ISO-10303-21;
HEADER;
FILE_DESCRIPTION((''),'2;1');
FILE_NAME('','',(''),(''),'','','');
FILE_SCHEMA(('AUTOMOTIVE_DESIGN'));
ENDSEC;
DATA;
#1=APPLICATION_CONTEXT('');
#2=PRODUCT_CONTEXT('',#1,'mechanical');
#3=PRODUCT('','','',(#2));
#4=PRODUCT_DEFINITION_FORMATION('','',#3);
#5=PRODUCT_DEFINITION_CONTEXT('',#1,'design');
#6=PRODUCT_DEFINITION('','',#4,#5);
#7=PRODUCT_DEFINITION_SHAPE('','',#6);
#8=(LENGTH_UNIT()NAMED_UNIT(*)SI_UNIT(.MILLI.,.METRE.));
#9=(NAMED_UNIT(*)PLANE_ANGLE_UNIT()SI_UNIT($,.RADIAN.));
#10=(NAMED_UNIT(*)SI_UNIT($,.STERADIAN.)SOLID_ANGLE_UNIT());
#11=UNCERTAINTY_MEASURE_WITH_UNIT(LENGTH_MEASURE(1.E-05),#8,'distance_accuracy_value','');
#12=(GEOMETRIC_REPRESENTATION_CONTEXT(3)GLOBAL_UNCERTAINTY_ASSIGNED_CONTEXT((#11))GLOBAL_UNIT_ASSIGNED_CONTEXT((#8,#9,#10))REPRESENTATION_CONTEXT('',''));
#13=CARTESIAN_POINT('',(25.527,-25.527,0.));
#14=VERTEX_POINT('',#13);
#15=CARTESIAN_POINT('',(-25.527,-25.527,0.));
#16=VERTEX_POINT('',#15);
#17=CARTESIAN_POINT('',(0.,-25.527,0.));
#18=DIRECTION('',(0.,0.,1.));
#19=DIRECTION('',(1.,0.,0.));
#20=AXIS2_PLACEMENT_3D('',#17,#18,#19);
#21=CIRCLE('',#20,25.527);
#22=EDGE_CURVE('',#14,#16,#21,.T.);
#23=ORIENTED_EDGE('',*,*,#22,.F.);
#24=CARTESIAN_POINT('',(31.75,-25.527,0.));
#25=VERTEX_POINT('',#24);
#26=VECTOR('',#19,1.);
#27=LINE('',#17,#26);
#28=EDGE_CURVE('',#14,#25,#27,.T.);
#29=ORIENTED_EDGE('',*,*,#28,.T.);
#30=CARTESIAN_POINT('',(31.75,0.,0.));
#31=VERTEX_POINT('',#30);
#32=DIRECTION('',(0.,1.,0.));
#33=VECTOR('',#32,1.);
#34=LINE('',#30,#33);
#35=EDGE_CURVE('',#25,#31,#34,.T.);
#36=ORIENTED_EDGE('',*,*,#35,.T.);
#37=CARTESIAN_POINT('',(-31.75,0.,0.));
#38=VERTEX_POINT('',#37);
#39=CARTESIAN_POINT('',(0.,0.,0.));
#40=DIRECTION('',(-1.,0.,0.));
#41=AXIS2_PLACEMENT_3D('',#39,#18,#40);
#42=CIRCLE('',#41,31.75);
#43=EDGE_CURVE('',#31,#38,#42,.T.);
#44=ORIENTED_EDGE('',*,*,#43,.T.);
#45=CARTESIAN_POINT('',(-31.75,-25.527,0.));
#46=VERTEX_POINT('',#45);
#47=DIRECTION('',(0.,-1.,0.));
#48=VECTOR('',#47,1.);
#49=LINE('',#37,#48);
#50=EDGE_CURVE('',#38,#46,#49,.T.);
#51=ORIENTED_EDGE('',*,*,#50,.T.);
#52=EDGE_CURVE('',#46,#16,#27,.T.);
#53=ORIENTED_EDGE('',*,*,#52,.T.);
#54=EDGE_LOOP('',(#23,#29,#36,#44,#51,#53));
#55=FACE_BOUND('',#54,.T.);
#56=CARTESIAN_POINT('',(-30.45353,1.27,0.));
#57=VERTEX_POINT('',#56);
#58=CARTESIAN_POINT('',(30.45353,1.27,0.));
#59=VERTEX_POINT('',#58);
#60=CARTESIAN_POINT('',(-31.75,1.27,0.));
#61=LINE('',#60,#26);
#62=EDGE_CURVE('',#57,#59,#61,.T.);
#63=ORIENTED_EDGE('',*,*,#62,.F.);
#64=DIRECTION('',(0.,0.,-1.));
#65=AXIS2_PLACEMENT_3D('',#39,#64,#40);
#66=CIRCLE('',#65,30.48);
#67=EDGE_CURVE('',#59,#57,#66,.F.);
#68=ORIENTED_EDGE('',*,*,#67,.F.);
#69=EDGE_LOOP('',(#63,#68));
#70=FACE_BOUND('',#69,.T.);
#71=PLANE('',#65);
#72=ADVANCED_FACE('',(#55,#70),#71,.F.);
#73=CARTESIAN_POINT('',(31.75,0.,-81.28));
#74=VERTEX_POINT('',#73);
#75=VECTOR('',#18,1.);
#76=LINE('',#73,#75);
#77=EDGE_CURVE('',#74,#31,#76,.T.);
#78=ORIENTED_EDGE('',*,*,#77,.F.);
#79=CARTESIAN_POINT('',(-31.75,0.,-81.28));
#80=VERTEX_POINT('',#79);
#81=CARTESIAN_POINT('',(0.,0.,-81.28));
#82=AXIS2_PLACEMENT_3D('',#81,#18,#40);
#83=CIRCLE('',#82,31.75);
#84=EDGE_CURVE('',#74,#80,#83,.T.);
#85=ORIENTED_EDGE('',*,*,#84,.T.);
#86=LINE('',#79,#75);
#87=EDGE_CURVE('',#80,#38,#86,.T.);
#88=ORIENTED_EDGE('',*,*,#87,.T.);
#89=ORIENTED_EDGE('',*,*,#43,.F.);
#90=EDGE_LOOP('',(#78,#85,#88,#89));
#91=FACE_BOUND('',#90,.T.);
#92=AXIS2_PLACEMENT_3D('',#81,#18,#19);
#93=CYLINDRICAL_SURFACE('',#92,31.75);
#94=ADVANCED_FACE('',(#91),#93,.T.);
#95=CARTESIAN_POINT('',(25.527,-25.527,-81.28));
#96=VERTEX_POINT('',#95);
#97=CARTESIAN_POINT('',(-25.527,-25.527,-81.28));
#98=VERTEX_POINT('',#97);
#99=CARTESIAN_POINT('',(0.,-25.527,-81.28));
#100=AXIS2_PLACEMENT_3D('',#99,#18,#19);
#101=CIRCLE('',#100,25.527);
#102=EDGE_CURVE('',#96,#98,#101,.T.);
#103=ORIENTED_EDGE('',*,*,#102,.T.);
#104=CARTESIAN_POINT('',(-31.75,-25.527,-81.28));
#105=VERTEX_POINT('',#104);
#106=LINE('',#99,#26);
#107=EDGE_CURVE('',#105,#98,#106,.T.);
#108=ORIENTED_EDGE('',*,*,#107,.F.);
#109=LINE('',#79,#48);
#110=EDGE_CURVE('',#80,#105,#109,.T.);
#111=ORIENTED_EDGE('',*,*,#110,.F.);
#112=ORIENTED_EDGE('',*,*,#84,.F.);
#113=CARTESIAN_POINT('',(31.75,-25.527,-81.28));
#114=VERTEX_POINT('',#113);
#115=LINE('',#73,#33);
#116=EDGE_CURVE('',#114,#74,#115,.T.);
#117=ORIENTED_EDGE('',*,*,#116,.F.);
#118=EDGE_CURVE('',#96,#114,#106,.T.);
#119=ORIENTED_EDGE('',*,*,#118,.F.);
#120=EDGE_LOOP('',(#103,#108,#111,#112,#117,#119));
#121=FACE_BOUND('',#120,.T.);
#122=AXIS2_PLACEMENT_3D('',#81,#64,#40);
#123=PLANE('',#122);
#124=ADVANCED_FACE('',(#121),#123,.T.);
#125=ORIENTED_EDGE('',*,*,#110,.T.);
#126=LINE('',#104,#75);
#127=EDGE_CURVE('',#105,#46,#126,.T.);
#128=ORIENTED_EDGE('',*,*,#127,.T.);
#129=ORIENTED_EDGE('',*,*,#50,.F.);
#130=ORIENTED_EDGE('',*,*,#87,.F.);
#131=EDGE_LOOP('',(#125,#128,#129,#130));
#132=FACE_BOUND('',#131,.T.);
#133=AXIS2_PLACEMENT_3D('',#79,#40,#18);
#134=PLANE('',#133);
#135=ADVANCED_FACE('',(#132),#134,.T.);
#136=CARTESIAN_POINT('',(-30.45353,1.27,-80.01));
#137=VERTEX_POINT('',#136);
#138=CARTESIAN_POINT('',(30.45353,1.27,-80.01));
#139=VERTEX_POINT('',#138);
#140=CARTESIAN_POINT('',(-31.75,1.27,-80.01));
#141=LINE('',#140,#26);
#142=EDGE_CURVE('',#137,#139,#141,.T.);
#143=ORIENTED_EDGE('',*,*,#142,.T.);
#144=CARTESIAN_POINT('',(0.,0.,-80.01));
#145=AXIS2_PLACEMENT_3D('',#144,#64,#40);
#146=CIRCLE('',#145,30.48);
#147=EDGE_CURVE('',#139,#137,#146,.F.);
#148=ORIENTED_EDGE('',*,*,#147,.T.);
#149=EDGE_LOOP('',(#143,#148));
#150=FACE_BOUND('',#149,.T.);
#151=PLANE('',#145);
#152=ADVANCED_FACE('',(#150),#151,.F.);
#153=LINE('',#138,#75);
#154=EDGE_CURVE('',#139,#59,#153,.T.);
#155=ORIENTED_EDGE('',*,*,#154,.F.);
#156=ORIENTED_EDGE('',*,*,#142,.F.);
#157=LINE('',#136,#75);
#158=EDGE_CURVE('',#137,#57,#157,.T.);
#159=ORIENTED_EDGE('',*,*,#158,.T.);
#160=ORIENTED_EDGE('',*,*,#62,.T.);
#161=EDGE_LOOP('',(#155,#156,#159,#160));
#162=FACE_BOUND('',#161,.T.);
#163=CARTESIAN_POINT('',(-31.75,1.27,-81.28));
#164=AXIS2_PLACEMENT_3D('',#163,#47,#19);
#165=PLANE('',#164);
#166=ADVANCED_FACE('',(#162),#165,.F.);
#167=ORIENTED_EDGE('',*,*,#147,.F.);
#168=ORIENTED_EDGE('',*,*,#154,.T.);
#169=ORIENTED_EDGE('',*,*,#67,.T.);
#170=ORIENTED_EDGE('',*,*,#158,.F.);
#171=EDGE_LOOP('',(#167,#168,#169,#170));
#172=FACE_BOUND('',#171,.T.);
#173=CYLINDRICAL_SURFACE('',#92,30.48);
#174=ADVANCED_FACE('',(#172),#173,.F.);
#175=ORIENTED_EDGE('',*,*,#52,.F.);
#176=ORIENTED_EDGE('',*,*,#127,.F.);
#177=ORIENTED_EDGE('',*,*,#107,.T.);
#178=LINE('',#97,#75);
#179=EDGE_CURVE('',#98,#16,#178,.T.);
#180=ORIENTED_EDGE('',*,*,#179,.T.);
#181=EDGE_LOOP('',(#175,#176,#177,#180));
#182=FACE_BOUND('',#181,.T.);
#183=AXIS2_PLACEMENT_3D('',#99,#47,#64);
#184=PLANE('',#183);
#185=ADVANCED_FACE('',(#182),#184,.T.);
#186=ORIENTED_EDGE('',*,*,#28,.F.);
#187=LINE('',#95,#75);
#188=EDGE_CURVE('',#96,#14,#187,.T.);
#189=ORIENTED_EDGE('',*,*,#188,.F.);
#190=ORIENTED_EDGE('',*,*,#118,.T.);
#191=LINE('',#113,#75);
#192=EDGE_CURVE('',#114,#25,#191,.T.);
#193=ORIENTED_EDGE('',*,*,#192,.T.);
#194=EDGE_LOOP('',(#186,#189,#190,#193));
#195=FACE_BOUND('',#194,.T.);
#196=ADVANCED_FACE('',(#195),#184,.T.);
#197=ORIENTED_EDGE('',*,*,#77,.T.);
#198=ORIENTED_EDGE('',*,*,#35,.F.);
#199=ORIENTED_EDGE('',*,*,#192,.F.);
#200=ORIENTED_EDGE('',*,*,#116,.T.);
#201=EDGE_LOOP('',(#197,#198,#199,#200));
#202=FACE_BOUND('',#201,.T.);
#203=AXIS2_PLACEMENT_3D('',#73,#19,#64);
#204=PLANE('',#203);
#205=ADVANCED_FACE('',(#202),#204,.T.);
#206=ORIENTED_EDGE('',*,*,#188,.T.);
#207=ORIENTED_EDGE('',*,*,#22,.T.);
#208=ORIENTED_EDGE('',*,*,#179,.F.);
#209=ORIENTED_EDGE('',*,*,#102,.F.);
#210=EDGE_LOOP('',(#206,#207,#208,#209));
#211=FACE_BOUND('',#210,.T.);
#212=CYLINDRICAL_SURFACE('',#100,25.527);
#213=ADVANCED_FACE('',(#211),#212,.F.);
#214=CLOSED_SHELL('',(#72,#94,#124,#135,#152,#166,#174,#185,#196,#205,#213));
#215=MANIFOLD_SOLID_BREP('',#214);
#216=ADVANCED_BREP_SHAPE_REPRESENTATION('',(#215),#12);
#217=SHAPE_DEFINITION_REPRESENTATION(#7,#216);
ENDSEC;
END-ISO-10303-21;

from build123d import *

# Parameters (mm, degrees)
BOSS_EXTRUDE1_DEPTH = 81.28
SHELL2_T            = -1.27
BOSS_EXTRUDE2_DEPTH = 81.28


with BuildPart() as part:
    # Sketch1 → Boss-Extrude1 (new body)
    with BuildSketch(Plane.XY):
        with BuildLine():
            Line((-31.75, 0), (31.75, 0))
            ThreePointArc((31.75, 0), (0, 31.75), (-31.75, 0))
        make_face()
    extrude(amount=-BOSS_EXTRUDE1_DEPTH)

    # Shell2
    shell2_openings = [part.faces().sort_by_distance(p)[0] for p in [
        (0, 13.475118515, 0),
    ]]
    offset(amount=SHELL2_T, openings=shell2_openings)

    # Sketch5 → Boss-Extrude2 (add)
    with BuildSketch(Plane.XY):
        with BuildLine():
            Line((-3.8e-08, 0), (-31.75, 0))
            Line((-31.75, 0), (-31.75, -25.527))
            Line((-31.75, -25.527), (-25.527, -25.527))
            ThreePointArc((-25.527, -25.527), (-18.050314817, -7.47668521), (-3.8e-08, 0))
        make_face()
        with BuildLine():
            Line((31.75, 0), (-3.8e-08, 0))
            ThreePointArc((-3.8e-08, 0), (18.05031479, -7.476685183), (25.527, -25.527))
            Line((25.527, -25.527), (31.75, -25.527))
            Line((31.75, -25.527), (31.75, 0))
        make_face()
    extrude(amount=-BOSS_EXTRUDE2_DEPTH)


solid = part.part
